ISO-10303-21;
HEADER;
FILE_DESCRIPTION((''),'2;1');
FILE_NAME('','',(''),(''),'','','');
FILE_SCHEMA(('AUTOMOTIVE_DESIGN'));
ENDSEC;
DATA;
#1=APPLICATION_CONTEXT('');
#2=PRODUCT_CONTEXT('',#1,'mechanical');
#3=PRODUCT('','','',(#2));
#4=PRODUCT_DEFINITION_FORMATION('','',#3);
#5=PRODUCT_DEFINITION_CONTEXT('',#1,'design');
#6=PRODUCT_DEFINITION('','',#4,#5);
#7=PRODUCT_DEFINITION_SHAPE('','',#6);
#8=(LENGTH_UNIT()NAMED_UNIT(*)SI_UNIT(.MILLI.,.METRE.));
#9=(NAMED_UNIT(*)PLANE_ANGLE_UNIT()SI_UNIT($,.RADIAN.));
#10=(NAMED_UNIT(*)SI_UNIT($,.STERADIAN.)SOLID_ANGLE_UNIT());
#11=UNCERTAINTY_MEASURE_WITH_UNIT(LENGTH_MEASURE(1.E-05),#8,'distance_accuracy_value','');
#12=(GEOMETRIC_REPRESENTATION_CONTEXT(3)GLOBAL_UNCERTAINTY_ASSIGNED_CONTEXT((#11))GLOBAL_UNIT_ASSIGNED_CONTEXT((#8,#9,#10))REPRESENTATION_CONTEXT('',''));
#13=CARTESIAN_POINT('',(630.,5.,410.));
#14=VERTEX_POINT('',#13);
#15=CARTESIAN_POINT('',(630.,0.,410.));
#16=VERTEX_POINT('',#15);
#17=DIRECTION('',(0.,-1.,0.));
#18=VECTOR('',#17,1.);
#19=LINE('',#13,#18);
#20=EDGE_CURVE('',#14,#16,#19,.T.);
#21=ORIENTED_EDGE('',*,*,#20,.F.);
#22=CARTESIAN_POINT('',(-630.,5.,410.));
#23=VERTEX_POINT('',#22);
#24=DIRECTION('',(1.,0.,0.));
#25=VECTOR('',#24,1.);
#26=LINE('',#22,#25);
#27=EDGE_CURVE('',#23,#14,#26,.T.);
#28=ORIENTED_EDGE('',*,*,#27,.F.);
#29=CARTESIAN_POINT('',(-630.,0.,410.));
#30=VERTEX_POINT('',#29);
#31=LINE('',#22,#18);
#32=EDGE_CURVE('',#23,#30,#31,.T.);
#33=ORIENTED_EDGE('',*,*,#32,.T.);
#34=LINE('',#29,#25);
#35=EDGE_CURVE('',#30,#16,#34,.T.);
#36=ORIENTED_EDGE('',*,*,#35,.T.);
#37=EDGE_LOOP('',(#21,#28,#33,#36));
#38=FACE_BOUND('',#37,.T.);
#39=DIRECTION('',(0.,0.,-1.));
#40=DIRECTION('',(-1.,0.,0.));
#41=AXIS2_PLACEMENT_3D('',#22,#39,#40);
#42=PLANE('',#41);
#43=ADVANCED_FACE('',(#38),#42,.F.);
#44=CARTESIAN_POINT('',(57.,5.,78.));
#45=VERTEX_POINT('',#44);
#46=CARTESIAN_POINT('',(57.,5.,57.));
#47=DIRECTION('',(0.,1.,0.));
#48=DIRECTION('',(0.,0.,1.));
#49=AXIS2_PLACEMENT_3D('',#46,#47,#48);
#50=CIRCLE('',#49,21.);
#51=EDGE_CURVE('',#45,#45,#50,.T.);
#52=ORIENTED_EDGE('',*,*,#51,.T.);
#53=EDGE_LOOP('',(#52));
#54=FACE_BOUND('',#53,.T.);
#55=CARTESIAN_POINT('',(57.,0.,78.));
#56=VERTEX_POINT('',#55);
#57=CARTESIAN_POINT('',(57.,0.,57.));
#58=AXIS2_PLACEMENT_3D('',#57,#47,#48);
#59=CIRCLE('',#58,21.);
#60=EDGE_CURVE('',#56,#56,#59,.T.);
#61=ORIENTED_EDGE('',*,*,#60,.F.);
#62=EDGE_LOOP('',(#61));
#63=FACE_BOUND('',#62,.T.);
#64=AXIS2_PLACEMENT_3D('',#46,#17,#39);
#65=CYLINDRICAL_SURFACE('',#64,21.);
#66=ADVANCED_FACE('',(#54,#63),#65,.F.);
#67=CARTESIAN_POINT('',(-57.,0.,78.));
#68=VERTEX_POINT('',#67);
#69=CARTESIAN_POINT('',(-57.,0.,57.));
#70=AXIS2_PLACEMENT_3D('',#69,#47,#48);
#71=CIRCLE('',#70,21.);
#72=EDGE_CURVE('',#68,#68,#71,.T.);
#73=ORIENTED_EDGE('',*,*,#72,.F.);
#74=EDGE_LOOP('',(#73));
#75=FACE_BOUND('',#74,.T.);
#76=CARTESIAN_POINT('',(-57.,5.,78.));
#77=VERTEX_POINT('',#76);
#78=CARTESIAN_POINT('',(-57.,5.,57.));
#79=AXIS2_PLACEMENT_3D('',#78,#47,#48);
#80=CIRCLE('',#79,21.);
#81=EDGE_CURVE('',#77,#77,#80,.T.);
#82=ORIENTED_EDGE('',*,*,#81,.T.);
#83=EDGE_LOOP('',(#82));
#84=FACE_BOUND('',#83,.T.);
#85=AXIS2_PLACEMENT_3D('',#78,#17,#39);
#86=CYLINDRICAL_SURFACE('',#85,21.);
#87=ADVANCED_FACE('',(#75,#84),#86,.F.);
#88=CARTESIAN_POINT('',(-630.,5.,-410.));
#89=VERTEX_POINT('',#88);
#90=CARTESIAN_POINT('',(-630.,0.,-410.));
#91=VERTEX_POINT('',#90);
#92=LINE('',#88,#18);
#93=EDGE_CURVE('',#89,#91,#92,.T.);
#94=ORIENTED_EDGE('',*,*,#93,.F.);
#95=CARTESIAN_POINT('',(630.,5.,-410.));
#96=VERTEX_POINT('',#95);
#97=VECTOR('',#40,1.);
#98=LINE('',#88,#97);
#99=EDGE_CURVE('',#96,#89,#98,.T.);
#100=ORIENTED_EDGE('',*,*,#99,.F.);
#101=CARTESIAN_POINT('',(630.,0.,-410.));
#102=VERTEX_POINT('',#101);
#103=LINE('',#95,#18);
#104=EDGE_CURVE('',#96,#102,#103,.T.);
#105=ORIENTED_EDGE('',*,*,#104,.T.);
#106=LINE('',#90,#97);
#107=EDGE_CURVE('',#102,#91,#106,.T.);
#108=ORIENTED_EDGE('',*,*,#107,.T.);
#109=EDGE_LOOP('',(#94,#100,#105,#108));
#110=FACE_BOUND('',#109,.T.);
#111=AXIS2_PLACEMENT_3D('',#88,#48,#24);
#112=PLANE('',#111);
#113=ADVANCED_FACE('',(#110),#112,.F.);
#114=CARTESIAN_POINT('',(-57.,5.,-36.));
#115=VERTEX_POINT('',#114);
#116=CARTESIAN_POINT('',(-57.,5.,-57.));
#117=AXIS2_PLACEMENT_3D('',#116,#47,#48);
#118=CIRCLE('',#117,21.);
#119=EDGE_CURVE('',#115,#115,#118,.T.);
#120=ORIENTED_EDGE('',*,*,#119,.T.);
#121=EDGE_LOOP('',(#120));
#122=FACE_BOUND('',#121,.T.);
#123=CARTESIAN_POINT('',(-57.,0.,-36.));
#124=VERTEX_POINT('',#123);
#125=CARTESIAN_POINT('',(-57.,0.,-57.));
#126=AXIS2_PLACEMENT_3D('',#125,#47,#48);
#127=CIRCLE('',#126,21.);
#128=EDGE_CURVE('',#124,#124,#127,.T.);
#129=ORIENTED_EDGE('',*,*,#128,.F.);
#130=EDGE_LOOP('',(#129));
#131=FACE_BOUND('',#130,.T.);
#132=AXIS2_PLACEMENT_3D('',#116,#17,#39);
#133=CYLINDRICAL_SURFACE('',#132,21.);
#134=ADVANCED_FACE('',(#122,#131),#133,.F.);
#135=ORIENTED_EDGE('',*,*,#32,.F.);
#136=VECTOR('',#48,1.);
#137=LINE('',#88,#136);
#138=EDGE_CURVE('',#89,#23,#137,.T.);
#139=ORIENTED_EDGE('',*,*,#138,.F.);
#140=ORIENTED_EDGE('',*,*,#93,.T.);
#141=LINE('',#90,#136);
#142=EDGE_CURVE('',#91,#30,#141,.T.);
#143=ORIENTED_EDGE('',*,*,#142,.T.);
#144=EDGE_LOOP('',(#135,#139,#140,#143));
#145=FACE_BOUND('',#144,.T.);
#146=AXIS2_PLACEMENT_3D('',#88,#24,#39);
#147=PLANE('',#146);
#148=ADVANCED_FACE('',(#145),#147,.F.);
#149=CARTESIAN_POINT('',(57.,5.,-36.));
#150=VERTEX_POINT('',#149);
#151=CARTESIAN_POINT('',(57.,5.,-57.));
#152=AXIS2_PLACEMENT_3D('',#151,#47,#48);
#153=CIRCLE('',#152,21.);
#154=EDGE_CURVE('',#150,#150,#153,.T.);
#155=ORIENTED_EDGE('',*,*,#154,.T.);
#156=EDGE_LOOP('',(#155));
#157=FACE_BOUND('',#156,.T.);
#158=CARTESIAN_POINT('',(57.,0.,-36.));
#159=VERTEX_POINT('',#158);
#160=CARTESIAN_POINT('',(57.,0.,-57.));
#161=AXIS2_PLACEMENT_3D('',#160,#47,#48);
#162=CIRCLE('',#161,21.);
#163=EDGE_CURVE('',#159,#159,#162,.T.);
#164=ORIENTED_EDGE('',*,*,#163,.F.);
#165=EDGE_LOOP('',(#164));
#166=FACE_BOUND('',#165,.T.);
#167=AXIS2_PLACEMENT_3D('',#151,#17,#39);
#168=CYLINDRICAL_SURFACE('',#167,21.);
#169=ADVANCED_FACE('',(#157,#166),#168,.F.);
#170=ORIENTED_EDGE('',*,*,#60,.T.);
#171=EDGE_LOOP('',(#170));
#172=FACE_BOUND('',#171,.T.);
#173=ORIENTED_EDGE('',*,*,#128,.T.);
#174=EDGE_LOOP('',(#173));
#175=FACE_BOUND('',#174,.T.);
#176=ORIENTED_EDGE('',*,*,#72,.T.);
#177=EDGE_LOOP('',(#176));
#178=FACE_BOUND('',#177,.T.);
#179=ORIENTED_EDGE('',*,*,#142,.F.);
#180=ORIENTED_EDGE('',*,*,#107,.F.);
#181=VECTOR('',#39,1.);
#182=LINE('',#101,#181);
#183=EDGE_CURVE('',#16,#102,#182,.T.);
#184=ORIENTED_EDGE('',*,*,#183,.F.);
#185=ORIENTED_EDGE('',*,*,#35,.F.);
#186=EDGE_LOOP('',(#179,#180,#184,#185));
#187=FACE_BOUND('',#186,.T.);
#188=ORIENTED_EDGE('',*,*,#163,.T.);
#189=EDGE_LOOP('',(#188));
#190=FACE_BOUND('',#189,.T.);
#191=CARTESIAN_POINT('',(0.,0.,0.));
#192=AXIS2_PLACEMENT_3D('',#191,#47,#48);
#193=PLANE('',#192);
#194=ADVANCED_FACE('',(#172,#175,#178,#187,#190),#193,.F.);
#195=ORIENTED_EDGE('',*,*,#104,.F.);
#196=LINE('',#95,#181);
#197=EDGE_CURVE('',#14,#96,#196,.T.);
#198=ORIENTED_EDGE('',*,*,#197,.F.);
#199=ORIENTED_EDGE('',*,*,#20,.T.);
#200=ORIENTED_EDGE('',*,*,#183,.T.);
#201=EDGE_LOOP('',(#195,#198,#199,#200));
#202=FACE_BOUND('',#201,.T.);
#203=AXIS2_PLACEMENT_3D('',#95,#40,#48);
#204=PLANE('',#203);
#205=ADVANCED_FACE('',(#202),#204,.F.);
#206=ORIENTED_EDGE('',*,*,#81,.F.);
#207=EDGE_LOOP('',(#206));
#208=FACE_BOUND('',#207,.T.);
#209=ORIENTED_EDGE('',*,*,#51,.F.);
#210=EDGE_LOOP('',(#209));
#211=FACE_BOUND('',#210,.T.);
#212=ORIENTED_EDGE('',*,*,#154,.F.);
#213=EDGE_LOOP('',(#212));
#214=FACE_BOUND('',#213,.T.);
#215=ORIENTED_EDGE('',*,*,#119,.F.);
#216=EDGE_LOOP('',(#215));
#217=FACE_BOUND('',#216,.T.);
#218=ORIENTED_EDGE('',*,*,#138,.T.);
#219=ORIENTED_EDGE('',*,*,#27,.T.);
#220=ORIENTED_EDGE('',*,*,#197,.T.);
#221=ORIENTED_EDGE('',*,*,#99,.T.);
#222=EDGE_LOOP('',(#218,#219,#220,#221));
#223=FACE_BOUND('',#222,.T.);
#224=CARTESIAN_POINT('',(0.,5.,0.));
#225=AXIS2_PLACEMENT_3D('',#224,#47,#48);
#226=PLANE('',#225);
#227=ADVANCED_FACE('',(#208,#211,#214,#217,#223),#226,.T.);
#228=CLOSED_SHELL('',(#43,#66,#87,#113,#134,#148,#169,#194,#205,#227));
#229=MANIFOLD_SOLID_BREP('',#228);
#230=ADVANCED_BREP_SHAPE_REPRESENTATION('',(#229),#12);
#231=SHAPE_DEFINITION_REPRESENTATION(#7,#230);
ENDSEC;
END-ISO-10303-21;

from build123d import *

# Parameters (mm, degrees)
SKETCH1_W           = 1260
SKETCH1_H           = 820
SKETCH1_R           = 21
BOSS_EXTRUDE1_DEPTH = 5


with BuildPart() as part:
    # Sketch1 → Boss-Extrude1 (new body)
    with BuildSketch(Plane(origin=(0, 0, 0), x_dir=(1, 0, 0), z_dir=(0, 1, 0))):
        Rectangle(SKETCH1_W, SKETCH1_H)
        with Locations(Location((-57, 57, 0), (0, 0, 270))):
            Circle(SKETCH1_R, mode=Mode.SUBTRACT)
        with Locations(Location((57, 57, 0), (0, 0, 270))):
            Circle(SKETCH1_R, mode=Mode.SUBTRACT)
        with Locations(Location((57, -57, 0), (0, 0, 270))):
            Circle(SKETCH1_R, mode=Mode.SUBTRACT)
        with Locations(Location((-57, -57, 0), (0, 0, 270))):
            Circle(SKETCH1_R, mode=Mode.SUBTRACT)
    extrude(amount=BOSS_EXTRUDE1_DEPTH)


solid = part.part
